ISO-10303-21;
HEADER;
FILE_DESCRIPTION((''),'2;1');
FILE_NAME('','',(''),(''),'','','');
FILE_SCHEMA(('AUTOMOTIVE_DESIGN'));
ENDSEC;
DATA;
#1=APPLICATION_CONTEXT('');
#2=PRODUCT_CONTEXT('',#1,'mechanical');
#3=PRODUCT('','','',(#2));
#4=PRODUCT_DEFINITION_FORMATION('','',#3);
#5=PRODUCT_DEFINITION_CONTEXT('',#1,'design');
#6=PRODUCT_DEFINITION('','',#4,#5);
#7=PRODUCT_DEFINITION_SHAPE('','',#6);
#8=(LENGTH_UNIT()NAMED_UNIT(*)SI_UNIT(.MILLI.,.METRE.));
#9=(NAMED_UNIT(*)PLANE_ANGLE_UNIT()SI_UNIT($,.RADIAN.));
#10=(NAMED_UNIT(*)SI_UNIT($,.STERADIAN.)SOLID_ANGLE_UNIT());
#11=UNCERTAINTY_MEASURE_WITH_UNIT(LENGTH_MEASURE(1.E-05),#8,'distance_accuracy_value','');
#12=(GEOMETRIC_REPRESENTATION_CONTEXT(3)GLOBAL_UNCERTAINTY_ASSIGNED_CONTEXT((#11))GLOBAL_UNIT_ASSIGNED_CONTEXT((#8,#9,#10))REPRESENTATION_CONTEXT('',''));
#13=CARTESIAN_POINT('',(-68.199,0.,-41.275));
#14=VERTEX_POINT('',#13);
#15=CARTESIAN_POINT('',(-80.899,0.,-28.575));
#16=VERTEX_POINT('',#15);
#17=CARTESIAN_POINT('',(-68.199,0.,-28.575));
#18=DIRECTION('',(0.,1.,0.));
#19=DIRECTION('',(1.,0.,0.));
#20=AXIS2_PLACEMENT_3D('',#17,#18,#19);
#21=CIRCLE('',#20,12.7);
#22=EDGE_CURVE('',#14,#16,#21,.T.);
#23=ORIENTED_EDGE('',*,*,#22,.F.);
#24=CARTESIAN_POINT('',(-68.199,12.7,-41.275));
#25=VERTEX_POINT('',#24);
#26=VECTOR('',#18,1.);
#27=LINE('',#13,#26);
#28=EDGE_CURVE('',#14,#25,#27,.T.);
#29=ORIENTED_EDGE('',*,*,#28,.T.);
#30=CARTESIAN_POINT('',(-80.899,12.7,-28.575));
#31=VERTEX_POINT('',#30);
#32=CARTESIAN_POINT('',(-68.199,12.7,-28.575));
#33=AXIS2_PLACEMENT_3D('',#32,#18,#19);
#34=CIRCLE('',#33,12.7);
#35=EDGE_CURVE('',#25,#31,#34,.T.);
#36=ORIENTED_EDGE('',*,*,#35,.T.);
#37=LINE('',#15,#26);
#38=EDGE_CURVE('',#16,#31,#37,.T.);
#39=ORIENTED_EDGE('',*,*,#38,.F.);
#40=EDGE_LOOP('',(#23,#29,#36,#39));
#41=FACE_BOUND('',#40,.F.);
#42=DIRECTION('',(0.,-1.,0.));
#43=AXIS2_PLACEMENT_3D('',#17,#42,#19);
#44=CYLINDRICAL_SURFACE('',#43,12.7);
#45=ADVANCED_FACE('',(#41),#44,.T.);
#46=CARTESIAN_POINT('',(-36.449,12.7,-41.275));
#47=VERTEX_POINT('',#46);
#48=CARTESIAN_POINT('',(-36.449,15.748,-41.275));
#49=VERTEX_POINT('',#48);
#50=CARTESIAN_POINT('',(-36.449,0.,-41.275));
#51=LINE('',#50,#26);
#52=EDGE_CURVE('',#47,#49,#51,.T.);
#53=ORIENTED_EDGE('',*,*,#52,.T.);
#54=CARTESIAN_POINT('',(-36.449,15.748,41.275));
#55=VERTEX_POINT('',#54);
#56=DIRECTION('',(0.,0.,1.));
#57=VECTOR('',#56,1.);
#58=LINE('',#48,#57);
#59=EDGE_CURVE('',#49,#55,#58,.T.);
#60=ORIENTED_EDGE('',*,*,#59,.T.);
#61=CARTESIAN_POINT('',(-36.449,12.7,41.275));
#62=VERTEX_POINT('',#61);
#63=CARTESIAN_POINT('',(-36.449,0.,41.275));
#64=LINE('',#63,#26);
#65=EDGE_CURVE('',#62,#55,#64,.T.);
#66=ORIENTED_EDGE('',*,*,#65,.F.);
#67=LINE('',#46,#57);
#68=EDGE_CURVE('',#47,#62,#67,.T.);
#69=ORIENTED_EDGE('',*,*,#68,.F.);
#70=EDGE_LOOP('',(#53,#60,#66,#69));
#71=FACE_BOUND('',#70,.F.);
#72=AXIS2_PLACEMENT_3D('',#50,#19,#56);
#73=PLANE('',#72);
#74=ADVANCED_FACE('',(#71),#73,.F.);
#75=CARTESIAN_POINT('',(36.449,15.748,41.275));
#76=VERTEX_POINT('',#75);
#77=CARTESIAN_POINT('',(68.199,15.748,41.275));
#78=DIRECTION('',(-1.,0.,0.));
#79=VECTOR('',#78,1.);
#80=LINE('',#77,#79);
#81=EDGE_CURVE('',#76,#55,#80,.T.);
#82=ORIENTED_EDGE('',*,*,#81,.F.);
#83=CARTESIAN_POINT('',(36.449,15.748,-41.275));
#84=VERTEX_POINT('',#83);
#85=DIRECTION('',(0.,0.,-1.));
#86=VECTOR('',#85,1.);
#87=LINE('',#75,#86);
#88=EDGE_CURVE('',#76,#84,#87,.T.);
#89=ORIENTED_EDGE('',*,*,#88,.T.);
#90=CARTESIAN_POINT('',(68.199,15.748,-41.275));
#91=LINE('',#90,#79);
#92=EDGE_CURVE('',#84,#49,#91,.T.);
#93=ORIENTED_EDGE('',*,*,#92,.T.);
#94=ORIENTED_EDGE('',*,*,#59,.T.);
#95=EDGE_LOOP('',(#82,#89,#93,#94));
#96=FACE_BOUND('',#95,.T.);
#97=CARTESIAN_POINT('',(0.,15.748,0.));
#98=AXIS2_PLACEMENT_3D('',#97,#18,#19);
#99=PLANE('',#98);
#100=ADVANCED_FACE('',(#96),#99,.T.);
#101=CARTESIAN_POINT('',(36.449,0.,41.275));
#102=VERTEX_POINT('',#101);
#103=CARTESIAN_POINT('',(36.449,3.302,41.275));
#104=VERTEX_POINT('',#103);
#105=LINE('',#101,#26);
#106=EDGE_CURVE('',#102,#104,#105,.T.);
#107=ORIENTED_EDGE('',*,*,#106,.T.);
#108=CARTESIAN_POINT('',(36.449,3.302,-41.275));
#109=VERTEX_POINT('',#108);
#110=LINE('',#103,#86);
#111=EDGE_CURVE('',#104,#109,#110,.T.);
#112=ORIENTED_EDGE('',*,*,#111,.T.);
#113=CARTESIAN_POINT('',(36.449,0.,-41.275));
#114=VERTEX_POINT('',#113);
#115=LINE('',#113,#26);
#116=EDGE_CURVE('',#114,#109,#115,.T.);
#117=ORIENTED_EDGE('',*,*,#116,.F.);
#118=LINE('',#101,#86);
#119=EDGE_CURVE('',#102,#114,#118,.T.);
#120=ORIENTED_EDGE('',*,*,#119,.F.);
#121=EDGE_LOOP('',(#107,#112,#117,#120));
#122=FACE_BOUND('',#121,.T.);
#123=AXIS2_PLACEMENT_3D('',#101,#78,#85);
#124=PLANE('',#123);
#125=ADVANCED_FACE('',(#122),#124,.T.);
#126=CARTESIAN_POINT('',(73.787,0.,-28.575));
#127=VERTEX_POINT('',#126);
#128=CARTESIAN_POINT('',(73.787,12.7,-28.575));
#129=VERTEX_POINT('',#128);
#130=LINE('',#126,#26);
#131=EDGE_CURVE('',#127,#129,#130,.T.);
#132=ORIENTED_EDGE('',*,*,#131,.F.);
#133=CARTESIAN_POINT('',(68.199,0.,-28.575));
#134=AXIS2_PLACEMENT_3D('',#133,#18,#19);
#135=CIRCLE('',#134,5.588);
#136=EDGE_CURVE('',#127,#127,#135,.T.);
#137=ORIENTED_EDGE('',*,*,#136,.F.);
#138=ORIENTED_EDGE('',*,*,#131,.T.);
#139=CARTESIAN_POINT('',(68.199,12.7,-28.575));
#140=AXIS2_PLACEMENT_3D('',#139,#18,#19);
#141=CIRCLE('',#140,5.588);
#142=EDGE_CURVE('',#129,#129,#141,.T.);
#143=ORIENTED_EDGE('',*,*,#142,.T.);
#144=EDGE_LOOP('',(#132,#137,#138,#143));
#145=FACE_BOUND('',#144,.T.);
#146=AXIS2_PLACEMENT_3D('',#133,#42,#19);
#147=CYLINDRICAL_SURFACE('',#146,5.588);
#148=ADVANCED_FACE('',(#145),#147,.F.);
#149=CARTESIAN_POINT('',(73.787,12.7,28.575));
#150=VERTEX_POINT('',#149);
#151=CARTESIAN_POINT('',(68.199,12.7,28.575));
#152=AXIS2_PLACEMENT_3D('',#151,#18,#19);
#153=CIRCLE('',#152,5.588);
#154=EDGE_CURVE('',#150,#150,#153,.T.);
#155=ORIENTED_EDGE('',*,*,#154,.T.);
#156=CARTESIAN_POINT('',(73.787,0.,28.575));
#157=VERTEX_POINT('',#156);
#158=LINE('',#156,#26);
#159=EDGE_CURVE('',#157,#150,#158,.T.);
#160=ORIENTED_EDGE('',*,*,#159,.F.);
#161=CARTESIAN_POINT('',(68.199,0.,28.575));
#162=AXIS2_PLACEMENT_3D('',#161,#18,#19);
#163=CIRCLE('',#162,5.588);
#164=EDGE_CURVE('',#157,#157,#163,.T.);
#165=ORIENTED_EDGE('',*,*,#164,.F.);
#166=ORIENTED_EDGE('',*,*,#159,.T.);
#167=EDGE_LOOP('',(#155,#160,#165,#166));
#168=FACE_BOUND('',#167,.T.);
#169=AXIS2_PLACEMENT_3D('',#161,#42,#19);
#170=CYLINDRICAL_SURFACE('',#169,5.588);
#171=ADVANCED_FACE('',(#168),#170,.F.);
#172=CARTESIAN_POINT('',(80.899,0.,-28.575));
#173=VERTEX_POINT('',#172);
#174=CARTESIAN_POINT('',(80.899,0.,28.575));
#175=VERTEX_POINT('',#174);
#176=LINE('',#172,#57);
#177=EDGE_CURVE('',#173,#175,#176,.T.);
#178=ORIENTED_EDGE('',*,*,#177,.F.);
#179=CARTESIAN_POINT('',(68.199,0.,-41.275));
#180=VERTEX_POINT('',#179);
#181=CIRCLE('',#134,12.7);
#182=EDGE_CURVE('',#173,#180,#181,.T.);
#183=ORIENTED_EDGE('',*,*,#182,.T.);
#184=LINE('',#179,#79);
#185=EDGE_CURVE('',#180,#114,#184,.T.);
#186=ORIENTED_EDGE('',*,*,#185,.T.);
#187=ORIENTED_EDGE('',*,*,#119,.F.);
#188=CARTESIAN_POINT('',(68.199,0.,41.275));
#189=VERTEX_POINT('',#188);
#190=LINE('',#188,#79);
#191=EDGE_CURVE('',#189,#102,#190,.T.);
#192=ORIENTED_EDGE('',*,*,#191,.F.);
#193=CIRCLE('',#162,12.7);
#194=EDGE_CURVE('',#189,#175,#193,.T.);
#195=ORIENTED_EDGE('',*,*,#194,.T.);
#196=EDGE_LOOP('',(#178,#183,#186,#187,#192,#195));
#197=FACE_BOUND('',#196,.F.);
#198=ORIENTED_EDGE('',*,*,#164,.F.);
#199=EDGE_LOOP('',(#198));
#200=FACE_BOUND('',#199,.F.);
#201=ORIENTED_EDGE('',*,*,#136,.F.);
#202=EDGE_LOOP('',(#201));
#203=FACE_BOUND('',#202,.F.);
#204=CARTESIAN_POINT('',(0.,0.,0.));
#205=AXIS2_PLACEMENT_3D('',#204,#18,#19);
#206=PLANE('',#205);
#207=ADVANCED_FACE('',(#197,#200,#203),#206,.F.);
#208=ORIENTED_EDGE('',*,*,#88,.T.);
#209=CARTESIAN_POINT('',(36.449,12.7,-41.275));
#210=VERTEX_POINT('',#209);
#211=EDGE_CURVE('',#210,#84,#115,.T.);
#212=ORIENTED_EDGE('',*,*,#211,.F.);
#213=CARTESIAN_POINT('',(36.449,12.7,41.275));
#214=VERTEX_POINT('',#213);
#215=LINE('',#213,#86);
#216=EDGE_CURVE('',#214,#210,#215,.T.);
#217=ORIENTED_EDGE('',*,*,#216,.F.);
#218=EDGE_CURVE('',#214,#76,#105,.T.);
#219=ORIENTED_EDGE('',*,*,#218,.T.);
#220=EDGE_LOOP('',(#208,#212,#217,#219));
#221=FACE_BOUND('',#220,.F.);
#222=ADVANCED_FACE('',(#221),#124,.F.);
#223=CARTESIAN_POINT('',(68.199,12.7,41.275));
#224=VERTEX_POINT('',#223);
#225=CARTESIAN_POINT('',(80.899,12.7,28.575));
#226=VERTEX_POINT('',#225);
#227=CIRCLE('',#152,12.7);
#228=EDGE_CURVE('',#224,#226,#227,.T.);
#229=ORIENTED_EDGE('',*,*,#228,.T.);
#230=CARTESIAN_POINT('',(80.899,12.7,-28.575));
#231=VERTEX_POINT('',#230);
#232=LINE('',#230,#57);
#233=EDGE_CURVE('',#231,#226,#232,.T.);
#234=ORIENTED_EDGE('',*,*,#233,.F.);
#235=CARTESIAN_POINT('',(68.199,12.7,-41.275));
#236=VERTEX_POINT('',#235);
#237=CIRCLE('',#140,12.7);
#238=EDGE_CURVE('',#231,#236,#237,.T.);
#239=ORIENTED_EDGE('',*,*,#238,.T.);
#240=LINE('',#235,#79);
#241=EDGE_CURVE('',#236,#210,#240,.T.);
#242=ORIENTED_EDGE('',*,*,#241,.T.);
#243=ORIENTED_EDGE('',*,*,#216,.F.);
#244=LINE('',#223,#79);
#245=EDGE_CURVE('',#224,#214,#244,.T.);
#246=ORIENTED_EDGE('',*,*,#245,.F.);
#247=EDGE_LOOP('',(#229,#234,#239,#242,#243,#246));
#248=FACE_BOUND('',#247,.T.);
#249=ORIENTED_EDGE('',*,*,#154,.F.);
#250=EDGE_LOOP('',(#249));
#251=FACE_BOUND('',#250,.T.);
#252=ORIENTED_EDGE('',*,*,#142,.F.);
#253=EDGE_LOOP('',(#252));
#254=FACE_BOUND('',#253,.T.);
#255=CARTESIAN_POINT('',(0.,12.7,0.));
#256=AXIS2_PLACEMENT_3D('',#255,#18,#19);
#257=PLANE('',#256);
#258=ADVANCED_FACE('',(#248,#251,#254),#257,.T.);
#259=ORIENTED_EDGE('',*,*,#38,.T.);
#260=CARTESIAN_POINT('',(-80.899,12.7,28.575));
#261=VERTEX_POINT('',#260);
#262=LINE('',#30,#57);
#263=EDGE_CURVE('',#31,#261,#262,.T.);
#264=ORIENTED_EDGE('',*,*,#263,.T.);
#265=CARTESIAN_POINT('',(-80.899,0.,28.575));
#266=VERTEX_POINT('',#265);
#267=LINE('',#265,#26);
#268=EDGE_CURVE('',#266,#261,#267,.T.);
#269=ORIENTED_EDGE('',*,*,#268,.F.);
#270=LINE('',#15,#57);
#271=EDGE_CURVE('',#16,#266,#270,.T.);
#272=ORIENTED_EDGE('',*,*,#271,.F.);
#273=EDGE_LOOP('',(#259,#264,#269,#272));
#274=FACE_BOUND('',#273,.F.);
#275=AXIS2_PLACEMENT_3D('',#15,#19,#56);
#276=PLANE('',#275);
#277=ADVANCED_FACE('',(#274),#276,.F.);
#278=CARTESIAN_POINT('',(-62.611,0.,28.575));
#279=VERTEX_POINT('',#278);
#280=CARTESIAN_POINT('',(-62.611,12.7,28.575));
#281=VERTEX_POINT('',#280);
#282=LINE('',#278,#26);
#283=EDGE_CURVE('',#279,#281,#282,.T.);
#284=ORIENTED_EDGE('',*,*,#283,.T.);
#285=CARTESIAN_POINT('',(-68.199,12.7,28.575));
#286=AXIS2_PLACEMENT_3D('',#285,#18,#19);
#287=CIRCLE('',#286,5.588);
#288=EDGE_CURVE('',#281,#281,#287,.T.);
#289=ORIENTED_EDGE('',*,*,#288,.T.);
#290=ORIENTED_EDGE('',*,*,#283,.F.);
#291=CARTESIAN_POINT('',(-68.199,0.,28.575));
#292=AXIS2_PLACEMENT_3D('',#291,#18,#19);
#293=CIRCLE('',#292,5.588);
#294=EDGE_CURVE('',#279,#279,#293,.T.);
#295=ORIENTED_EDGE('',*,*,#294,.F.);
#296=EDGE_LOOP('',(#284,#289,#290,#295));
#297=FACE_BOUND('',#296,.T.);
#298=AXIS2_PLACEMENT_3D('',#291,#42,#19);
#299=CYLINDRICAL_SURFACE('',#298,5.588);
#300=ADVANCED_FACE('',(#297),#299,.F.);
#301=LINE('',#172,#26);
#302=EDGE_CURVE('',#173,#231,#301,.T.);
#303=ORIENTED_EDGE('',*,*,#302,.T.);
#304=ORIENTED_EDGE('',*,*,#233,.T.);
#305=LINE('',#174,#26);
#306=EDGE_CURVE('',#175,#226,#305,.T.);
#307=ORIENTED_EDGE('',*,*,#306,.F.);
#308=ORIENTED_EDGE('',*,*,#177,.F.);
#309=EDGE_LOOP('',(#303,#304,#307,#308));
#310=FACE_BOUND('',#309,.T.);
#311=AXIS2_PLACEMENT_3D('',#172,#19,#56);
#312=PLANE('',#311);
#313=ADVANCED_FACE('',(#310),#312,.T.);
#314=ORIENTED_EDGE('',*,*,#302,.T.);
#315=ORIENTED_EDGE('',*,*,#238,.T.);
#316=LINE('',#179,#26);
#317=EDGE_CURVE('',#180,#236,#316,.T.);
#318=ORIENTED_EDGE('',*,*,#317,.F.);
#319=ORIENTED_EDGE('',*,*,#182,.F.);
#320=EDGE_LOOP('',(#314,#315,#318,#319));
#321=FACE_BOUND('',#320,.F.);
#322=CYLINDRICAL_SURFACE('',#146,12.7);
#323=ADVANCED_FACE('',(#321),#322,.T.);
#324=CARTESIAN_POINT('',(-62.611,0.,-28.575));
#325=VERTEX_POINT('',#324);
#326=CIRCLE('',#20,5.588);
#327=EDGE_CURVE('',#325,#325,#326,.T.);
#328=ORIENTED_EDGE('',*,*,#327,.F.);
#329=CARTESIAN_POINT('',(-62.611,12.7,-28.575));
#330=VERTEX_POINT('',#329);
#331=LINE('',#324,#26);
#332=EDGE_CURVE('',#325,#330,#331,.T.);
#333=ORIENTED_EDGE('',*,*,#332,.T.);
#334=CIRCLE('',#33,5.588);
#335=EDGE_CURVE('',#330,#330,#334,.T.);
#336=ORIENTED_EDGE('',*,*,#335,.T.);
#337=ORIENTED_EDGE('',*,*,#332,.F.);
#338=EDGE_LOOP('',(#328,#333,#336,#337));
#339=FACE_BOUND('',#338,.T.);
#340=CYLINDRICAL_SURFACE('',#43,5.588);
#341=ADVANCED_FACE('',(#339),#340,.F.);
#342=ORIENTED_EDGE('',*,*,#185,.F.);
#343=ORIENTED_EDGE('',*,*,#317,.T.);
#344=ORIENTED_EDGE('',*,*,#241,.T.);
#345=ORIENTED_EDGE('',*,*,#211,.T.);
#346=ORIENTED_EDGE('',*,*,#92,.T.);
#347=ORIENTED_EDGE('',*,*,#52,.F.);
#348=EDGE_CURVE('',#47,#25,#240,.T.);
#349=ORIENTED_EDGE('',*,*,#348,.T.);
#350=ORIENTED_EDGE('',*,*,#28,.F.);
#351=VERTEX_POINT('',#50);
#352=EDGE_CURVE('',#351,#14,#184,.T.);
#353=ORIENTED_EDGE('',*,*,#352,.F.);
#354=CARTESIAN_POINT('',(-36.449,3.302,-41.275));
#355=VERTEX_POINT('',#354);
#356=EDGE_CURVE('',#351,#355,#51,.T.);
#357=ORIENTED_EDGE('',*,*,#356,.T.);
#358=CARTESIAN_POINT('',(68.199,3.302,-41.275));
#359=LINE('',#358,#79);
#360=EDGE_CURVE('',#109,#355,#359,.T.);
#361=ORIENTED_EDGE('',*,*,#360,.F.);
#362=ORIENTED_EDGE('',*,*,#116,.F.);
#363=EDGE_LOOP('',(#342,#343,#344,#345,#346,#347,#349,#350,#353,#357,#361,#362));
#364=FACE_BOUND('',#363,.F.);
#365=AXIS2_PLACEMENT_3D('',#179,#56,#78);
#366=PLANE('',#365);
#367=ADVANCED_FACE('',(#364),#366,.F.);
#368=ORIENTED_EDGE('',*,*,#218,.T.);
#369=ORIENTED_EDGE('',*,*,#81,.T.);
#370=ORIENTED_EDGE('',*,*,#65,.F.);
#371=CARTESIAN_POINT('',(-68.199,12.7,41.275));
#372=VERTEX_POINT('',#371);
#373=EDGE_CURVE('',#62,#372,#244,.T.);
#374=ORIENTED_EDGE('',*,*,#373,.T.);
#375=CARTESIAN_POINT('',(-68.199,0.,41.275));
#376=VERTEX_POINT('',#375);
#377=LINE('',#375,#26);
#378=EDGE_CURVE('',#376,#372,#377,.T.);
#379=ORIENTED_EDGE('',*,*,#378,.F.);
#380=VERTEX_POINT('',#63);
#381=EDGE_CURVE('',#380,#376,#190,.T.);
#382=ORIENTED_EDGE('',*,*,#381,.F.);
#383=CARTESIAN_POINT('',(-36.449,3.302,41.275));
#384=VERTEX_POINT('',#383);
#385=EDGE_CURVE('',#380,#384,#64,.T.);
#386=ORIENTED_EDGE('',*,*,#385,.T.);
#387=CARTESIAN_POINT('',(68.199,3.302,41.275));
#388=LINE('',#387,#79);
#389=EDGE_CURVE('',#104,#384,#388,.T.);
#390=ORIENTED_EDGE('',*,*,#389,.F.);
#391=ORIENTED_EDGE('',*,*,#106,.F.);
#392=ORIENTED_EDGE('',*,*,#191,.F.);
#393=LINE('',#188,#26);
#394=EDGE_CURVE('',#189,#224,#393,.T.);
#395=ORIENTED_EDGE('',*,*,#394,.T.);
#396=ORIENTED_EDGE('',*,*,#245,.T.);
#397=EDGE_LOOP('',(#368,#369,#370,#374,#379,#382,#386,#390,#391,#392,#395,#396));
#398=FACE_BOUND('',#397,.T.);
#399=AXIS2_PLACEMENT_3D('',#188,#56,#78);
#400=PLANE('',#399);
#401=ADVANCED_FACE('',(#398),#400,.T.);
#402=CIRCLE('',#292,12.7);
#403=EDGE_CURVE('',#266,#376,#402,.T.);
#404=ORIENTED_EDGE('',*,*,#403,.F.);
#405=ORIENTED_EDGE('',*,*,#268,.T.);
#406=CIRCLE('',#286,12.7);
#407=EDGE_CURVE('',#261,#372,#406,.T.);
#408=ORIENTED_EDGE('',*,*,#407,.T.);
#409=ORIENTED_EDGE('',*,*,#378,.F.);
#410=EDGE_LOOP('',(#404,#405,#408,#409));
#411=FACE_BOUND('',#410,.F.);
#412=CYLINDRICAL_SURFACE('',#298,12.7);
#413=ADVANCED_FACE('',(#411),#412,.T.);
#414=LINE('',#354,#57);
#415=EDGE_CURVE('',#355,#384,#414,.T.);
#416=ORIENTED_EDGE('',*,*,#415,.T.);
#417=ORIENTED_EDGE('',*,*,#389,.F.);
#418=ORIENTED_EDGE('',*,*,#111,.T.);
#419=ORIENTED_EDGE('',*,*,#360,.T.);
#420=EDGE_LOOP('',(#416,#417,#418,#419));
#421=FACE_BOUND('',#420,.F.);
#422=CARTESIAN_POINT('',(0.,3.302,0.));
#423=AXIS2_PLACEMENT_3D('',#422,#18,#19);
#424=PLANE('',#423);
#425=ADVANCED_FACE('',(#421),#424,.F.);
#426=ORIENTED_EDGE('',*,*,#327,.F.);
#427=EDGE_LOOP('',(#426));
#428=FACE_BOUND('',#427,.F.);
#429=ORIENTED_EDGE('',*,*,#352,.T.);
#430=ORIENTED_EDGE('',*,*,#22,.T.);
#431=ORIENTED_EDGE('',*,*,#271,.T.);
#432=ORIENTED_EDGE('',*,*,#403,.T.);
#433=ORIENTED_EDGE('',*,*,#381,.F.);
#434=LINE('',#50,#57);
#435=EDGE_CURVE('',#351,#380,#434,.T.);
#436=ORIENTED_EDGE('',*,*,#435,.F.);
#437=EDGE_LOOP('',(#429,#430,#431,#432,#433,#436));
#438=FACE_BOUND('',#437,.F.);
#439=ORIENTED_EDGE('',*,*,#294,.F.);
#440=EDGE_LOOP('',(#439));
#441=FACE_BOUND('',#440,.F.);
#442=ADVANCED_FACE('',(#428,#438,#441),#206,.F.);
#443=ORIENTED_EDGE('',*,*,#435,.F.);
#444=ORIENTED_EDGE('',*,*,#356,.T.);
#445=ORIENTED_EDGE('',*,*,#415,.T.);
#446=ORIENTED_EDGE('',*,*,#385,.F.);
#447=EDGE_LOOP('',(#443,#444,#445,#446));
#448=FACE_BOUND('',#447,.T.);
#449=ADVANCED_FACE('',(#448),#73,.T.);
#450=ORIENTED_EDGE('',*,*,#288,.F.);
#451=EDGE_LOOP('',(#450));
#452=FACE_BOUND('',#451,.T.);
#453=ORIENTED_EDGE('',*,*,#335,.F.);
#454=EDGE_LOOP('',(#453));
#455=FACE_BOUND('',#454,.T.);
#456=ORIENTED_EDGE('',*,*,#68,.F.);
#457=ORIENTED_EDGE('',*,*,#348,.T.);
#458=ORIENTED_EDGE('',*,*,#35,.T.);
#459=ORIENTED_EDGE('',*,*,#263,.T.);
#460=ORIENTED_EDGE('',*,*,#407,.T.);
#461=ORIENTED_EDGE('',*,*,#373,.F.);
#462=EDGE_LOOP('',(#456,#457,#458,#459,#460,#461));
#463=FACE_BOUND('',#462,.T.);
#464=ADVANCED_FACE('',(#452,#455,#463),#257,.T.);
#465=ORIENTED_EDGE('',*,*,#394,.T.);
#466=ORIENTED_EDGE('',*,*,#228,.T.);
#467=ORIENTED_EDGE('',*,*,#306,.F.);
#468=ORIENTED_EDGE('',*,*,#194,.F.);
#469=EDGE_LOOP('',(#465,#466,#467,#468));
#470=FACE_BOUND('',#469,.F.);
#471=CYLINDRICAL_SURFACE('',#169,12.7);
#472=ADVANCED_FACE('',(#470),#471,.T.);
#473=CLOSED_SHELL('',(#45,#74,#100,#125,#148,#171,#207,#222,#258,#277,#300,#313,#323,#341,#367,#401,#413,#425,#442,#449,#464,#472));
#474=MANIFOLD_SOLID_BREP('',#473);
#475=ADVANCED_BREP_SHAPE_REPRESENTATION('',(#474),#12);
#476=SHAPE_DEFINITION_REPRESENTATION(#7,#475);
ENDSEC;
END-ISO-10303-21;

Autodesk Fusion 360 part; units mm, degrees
sketch "Sketch2" plane through (0, 0, 0) normal (0, 1, 0) x (1, 0, 0)
  circle A0 centre (-68.199, 28.575) radius 5.588
  circle A1 centre (-68.199, -28.575) radius 5.588
  circle A2 centre (68.199, -28.575) radius 5.588
  circle A3 centre (68.199, 28.575) radius 5.588
  circle A4 centre (68.199, 28.575) radius 12.7
  circle A5 centre (68.199, -28.575) radius 12.7
  circle A6 centre (-68.199, 28.575) radius 12.7
  circle A7 centre (-68.199, -28.575) radius 12.7
  line L0 (-80.899, 28.575) -> (-80.899, -28.575)
  line L1 (68.199, -41.275) -> (-68.199, -41.275)
  line L2 (80.899, 28.575) -> (80.899, -28.575)
  line L3 (68.199, 41.275) -> (-68.199, 41.275)
  line L4 (68.199, -28.575) -> (56.4856, -23.6672) construction
  line L5 (-36.449, 41.275) -> (-36.449, -41.275)
  line L6 (36.449, -41.275) -> (36.449, 41.275)
  line L7 (56.4856, 23.6672) -> (68.199, 28.575) construction
  dimension "d19" = 136.398
  dimension "d20" = 57.15
  dimension "d21" = 11.176
  dimension "d22" = 11.176
  dimension "d23" = 11.176
  dimension "d24" = 11.176
  dimension "d25" = 25.4
  dimension "d26" = 25.4
  dimension "d27" = 25.4
  dimension "d28" = 25.4
extrude "Extrude5" add sketch "Sketch2" along normal blind 15.748 contours L1 L3 L5 L6 makes body 1
extrude "Extrude4" add sketch "Sketch2" along normal blind 12.7 separate body contours A4 | A4 A5 L1 L2 L3 L6 | A5 | A6 A7 L0 L1 L3 L5 | A6 | A7 makes body 2 at (-45.4933, 0, 8.4757) makes body 3 at (45.4933, 0, 8.4757)
extrude "Extrude6" cut sketch "Sketch2" along normal blind 3.302 contours L1 L3 L5 L6 bodies 1
combine "Combine2" operation add target body 3 tool bodies 1 2
